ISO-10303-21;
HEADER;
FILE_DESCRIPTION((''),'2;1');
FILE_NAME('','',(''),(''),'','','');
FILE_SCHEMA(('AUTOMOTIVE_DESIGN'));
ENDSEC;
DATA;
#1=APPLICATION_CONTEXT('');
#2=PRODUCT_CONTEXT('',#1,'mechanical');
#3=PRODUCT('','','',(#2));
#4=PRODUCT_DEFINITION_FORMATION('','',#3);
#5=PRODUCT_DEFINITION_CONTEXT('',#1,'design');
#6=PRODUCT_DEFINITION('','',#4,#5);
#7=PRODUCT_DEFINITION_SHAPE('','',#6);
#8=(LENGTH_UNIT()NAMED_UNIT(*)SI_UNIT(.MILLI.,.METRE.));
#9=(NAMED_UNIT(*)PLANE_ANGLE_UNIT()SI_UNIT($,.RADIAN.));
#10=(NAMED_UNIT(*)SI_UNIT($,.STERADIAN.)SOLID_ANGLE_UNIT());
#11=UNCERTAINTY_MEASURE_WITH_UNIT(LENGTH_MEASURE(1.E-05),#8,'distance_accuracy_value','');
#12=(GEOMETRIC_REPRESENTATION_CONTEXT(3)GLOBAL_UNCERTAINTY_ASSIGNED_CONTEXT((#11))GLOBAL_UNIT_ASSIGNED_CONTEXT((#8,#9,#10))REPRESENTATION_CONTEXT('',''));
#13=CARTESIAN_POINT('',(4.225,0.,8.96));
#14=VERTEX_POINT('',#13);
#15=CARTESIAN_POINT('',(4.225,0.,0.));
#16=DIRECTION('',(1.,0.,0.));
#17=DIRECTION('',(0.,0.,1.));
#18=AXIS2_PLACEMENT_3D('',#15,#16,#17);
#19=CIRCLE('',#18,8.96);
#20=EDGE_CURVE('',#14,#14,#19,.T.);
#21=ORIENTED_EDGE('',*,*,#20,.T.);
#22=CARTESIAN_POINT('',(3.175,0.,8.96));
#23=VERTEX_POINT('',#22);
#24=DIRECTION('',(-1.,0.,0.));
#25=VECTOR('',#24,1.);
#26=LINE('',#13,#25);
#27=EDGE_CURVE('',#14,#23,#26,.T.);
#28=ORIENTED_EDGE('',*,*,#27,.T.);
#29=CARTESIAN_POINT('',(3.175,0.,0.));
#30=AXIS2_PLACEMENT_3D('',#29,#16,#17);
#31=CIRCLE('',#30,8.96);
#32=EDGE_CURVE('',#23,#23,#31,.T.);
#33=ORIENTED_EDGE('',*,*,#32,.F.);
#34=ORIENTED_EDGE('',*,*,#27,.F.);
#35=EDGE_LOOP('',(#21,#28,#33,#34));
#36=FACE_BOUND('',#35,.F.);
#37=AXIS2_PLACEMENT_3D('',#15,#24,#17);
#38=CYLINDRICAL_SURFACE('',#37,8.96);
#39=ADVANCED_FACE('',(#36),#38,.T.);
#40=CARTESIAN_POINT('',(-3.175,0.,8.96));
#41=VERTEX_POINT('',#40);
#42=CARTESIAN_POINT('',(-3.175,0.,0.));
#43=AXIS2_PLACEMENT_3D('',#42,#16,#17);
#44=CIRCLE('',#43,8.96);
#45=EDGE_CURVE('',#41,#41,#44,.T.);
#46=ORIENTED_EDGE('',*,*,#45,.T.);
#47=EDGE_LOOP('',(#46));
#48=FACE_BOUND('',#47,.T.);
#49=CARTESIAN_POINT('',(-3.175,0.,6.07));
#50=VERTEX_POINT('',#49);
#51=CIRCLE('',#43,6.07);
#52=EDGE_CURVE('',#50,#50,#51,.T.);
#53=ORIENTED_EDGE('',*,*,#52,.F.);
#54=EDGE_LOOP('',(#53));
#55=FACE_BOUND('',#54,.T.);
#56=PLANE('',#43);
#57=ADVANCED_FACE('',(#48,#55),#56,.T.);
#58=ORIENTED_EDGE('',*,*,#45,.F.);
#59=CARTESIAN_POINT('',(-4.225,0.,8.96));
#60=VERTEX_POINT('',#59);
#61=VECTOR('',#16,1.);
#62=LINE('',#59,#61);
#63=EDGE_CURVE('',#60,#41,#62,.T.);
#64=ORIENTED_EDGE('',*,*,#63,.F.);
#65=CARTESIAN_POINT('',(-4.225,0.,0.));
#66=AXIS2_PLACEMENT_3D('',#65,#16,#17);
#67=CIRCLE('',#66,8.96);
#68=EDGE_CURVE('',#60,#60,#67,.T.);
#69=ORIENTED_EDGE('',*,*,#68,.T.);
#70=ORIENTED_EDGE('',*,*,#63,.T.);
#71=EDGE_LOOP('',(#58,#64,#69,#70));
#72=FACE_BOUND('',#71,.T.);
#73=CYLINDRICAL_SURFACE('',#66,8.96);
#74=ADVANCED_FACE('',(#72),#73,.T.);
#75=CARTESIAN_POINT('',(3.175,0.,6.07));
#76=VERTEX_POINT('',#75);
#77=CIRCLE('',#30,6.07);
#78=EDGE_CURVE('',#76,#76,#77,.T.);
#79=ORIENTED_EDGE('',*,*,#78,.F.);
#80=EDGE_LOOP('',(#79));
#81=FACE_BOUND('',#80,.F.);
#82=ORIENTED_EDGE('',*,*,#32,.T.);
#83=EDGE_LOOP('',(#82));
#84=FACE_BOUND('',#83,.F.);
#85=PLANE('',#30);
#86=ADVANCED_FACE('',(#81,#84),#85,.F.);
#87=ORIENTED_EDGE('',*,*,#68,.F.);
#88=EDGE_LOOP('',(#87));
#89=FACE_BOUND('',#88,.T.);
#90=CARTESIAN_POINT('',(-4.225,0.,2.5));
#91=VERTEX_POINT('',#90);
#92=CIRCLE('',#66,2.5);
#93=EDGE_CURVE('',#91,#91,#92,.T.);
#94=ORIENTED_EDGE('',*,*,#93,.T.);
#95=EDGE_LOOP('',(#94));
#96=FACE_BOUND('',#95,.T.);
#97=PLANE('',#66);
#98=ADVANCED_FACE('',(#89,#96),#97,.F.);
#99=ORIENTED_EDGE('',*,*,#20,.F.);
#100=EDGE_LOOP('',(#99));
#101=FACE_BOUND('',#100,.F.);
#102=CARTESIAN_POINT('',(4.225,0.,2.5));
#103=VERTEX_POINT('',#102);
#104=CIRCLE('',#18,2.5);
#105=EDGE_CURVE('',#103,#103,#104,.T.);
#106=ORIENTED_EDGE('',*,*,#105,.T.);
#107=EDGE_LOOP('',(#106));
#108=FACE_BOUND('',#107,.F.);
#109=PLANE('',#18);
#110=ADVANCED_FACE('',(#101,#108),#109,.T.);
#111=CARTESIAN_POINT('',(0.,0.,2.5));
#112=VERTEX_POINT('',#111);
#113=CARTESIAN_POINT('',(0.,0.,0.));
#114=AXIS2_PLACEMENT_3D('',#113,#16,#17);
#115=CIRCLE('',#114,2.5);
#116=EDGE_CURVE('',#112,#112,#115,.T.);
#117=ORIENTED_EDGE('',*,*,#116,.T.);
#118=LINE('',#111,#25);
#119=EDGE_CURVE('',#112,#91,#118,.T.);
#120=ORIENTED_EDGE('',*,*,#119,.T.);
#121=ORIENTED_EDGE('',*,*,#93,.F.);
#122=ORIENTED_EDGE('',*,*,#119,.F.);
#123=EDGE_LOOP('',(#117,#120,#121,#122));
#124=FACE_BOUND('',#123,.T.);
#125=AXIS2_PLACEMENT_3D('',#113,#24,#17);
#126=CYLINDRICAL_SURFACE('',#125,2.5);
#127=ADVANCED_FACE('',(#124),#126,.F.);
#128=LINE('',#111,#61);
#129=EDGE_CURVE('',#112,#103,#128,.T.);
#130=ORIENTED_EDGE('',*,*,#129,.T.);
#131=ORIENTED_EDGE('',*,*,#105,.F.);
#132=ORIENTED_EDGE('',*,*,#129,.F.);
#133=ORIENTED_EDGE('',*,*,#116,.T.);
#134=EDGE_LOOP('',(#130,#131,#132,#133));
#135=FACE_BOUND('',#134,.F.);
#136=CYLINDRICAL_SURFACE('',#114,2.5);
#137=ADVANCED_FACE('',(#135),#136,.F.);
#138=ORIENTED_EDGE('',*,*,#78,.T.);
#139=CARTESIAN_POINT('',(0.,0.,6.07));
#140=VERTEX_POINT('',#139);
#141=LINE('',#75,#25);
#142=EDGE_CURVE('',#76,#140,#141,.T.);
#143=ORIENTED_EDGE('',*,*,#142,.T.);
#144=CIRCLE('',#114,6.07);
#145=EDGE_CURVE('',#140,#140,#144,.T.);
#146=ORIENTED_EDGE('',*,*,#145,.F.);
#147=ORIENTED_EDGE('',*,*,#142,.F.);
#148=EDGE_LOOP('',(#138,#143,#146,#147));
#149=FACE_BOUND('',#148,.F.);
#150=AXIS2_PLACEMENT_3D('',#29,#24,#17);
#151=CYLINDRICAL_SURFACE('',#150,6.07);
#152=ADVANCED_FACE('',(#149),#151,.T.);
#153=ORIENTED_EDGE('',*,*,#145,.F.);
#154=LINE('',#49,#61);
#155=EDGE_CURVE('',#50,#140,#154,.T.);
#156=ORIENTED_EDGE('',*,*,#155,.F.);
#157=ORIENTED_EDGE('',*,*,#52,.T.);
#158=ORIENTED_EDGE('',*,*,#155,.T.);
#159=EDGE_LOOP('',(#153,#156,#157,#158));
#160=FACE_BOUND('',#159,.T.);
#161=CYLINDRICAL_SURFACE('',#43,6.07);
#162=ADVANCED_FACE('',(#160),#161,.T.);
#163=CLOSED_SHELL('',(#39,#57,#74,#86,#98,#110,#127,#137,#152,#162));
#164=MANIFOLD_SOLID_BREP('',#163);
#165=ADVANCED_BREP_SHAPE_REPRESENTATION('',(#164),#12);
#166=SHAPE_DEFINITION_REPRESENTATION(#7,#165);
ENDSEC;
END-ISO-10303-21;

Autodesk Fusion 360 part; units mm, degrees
sketch "Sketch1" plane through (0, 0, 0) normal (0, 1, 0) x (1, 0, 0)
  line L0 (0, 0) -> (0, -5) construction
  line L1 (0, -2.5) -> (4.225, -2.5)
  line L2 (4.225, -2.5) -> (4.225, -8.96)
  line L3 (4.225, -8.96) -> (3.175, -8.96)
  line L4 (3.175, -8.96) -> (3.175, -6.07)
  line L5 (3.175, -6.07) -> (0, -6.07)
  line L6 (-4.225, -8.96) -> (-3.175, -8.96)
  line L7 (-3.175, -8.96) -> (-3.175, -6.07)
  line L8 (-3.175, -6.07) -> (0, -6.07)
  line L9 (0, -2.5) -> (-4.225, -2.5)
  line L10 (-4.225, -2.5) -> (-4.225, -8.96)
  dimension "d1" = 4.225
  dimension "d2" = 1.05
  dimension "d3" = 2.5
  dimension "d4" = 6.07
  dimension "d5" = 8.96
revolve "Revolve1" add sketch "Sketch1" angle 360 about axis through (1.75, 0, 0) along (1, 0, 0)
ref_plane "WorkPlane1" through (0, 0, 0) normal (-1, 0, 0) x (0, 0, 1)
sketch "Sketch2" plane through (0, 0, 0) normal (-1, 0, 0) x (0, 1, 0)
equation "d1 = ( 8.45 / 2 ) * 1 mm"
equation "d5 = ( 17.92 / 2 ) * 1 mm"
